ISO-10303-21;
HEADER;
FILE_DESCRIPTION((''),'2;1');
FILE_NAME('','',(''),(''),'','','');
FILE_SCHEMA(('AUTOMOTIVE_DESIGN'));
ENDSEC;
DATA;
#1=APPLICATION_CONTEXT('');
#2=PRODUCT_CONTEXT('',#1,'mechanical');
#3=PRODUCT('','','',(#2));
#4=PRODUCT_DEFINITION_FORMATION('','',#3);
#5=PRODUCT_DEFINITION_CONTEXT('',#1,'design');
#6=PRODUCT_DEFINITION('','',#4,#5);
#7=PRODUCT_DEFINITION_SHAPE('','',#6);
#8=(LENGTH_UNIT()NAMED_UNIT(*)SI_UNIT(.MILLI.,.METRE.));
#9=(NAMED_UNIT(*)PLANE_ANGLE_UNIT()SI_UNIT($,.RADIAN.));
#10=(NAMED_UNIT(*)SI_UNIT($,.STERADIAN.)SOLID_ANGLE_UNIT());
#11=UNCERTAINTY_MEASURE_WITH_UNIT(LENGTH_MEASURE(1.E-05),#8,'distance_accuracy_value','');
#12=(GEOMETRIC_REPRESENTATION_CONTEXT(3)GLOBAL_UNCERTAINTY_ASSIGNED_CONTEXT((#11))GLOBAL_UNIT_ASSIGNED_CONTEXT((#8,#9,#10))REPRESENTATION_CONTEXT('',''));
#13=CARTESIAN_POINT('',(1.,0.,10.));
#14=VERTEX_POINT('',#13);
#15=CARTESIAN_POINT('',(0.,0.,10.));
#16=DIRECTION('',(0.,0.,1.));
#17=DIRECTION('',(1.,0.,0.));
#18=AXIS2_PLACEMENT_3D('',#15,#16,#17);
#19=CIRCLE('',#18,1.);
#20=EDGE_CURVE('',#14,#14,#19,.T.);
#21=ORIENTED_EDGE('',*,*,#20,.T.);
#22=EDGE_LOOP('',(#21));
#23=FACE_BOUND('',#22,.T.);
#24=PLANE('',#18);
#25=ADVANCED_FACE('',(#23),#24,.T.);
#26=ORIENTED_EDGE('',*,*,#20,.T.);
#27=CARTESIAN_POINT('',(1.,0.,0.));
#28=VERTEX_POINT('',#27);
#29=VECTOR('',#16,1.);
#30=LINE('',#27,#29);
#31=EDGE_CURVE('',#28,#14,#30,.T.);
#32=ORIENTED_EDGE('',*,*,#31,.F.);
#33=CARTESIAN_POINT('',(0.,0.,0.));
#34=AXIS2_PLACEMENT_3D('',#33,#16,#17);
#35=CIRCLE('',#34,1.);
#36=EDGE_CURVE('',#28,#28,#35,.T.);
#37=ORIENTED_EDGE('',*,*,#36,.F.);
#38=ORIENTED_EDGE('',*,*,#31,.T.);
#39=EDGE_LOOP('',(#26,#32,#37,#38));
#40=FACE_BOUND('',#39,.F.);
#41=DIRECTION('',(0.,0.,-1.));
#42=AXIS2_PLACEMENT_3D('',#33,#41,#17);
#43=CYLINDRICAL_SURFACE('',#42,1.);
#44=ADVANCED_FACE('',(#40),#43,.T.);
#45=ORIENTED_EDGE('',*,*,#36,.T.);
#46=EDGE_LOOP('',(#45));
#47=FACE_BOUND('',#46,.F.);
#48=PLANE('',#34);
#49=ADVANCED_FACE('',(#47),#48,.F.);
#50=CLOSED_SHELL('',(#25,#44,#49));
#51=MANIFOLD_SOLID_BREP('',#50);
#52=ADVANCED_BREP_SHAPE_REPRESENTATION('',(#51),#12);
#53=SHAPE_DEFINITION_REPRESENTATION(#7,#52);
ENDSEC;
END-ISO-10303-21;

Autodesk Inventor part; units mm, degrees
ref_plane "YZ Plane" through (0, 0, 0) normal (1, 0, 0) x (0, 1, 0)
ref_plane "XZ Plane" through (0, 0, 0) normal (0, 1, 0) x (-1, 0, 0)
ref_plane "XY Plane" through (0, 0, 0) normal (0, 0, 1) x (1, 0, 0)
sketch "スケッチ1" plane through (0, 0, 0) normal (0, 0, 1) x (1, 0, 0)
  circle A0 centre (0, 0) radius 1
  dimension "d0" = 2
extrude "押し出し1" add sketch "スケッチ1" along normal blind 10
properties part number "HbIndexReleaseLeverShaft03"
